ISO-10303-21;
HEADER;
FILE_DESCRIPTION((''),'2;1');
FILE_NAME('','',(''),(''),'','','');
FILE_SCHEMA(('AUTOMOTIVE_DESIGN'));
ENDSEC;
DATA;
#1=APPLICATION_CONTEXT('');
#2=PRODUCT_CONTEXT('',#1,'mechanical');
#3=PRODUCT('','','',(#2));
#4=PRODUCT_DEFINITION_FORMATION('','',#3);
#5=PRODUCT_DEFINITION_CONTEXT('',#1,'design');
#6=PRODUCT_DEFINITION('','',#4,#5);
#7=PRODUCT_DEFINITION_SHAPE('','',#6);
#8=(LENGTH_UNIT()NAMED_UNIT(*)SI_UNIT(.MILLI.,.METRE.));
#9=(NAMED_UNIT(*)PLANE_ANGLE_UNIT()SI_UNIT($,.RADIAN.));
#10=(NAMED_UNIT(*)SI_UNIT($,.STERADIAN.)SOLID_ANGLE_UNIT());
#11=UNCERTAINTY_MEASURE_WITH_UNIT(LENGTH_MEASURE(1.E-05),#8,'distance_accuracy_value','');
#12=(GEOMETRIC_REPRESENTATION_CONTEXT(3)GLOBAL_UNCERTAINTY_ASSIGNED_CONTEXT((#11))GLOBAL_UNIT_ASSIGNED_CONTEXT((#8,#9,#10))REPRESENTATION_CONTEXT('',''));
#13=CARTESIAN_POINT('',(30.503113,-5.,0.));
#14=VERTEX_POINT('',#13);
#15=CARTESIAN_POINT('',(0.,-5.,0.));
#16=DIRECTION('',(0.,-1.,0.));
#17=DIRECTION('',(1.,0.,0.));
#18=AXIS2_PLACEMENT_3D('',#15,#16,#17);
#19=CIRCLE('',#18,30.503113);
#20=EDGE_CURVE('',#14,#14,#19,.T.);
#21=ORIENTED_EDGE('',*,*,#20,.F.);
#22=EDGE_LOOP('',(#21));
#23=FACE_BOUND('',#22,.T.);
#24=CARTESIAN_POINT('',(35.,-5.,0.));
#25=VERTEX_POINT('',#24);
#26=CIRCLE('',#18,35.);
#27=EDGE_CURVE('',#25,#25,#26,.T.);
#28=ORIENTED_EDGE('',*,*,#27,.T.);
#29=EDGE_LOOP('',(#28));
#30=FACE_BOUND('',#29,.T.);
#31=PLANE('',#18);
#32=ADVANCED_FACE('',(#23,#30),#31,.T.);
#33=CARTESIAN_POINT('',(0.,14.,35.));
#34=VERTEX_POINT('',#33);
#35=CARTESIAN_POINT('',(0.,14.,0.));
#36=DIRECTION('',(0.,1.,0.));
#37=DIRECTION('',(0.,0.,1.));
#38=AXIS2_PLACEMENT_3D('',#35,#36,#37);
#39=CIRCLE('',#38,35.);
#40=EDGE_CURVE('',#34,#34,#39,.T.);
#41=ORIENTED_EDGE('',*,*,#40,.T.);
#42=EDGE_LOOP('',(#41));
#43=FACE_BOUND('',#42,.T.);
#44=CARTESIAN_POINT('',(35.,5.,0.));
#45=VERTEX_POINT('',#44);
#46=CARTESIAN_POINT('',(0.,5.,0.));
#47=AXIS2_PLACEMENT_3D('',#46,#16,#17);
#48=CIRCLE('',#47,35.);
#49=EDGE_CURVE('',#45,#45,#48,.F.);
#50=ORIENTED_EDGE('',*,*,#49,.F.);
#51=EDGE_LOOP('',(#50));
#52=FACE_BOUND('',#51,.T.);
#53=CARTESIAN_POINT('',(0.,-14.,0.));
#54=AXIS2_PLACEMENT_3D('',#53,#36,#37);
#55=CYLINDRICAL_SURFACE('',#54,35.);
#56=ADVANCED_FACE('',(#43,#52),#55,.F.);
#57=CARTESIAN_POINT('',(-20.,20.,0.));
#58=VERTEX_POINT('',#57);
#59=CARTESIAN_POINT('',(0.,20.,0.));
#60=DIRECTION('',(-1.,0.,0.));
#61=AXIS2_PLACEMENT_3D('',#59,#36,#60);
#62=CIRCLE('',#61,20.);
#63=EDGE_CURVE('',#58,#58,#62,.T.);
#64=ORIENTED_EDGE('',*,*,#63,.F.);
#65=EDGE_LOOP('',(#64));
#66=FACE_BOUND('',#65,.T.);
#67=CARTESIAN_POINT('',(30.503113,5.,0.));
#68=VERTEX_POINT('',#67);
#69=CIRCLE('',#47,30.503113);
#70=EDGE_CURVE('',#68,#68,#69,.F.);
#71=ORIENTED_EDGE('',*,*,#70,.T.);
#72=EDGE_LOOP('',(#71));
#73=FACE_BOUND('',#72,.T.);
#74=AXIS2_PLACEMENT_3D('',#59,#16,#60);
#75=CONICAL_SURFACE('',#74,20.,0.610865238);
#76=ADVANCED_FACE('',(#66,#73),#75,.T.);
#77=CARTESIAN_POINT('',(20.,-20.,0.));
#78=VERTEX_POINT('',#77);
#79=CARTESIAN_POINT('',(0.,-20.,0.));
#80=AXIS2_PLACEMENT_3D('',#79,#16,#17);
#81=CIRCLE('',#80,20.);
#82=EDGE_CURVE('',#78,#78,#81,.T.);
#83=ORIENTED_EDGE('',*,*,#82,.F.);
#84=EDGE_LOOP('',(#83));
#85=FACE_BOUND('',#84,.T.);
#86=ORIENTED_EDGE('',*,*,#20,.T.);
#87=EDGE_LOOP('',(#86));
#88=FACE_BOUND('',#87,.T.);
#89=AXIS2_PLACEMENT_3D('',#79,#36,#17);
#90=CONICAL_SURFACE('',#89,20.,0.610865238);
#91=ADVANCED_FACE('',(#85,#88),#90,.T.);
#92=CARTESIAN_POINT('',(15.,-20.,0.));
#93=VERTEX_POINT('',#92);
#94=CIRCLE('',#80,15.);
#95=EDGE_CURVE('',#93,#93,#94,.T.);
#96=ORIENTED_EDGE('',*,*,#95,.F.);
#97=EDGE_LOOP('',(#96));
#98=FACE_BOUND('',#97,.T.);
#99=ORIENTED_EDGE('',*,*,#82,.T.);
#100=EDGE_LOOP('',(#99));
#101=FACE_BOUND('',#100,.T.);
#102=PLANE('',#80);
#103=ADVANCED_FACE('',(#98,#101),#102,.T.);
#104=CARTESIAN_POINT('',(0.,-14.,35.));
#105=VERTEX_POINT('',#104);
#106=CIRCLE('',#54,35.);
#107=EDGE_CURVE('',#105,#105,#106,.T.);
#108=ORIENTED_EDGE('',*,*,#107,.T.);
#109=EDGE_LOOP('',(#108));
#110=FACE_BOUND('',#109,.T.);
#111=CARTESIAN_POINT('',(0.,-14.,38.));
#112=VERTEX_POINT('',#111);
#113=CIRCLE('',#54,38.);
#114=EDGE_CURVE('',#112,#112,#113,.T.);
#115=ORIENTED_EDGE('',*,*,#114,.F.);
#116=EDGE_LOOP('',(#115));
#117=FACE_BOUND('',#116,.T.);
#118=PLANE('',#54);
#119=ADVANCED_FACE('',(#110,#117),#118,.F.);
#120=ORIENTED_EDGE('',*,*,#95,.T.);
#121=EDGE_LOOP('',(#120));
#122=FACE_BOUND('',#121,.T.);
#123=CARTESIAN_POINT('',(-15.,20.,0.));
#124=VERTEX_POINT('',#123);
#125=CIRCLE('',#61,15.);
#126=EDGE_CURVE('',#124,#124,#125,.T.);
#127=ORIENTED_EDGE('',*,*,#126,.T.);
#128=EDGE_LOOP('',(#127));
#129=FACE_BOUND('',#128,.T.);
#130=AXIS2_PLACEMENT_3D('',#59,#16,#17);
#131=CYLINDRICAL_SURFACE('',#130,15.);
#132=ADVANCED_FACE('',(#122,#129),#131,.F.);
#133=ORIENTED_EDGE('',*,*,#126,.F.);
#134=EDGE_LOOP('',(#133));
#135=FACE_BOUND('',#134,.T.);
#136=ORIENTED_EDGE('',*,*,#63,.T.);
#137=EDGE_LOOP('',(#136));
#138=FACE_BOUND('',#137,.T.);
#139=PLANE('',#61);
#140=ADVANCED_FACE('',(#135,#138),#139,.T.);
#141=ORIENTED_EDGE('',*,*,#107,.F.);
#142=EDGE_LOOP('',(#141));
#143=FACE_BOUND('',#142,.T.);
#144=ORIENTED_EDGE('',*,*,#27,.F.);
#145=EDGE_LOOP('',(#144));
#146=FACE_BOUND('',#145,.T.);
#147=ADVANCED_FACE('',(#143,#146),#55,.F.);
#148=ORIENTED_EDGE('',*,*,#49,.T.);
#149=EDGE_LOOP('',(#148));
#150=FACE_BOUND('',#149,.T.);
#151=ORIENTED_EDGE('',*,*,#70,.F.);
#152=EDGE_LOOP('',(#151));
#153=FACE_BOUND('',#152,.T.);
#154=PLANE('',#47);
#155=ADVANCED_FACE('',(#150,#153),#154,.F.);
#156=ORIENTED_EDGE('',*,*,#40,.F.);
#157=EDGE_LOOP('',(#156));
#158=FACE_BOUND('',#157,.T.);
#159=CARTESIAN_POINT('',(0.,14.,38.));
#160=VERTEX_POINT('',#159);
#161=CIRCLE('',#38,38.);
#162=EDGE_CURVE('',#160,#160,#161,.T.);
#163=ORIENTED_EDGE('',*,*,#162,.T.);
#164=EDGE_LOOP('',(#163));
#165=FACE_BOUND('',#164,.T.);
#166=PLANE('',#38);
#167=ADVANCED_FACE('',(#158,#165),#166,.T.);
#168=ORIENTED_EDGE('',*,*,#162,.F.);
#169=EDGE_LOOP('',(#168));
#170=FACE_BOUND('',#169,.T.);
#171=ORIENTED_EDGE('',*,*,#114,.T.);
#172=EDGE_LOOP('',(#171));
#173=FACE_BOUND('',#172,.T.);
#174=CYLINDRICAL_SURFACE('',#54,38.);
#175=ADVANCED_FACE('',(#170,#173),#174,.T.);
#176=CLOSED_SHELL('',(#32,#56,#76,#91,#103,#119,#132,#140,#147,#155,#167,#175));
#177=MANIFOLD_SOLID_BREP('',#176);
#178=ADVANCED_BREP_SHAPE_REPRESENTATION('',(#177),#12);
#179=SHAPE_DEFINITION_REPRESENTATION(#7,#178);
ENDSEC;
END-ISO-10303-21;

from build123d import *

# Parameters (mm, degrees)
BOSS_EXTRUDE1_DEPTH      = 14
BOSS_EXTRUDE1_DEPTH_BACK = 14
SKETCH1_R                = 38
SKETCH1_R_2              = 35
BOSS_EXTRUDE2_DEPTH      = 5
BOSS_EXTRUDE2_DEPTH_BACK = 5
SKETCH2_R                = 35
SKETCH5_R                = 20
SKETCH5_R_2              = 15
BOSS_EXTRUDE3_DEPTH      = 15
BOSS_EXTRUDE4_START      = 15
SKETCH6_R                = 20
SKETCH6_R_2              = 15
BOSS_EXTRUDE4_DEPTH      = 15
DRAFT2_ANGLE             = 35
DRAFT3_ANGLE             = 35
SKETCH14_R               = 12
CUT_EXTRUDE3_DEPTH       = 15
SKETCH15_R               = 15
CUT_EXTRUDE4_DEPTH       = 33.5


with BuildPart() as part:
    # Sketch1 → Boss-Extrude1 (new, two sides: drawn at the far end of the back side and taken through both)
    with BuildSketch(Plane(origin=(0, 0, 0), x_dir=(1, 0, 0), z_dir=(0, 1, 0)).offset(-BOSS_EXTRUDE1_DEPTH_BACK)):
        Circle(SKETCH1_R)
        Circle(SKETCH1_R_2, mode=Mode.SUBTRACT)
    extrude(amount=BOSS_EXTRUDE1_DEPTH + BOSS_EXTRUDE1_DEPTH_BACK)

    # Sketch2 → Boss-Extrude2 (add, two sides: drawn at the far end of the back side and taken through both)
    with BuildSketch(Plane(origin=(0, 0, 0), x_dir=(-1, 0, 0), z_dir=(0, -1, 0)).offset(-BOSS_EXTRUDE2_DEPTH_BACK)):
        Circle(SKETCH2_R)
    extrude(amount=BOSS_EXTRUDE2_DEPTH + BOSS_EXTRUDE2_DEPTH_BACK)

    # Sketch5 → Boss-Extrude3 (add)
    with BuildSketch(Plane(origin=(0, 5, 0), x_dir=(1, 0, 0), z_dir=(0, 1, 0))):
        Circle(SKETCH5_R)
        Circle(SKETCH5_R_2, mode=Mode.SUBTRACT)
    extrude(amount=BOSS_EXTRUDE3_DEPTH)

    # Sketch6 → Boss-Extrude4 (add)
    with BuildSketch(Plane.XZ.offset(5).offset(BOSS_EXTRUDE4_START)):
        Circle(SKETCH6_R)
        Circle(SKETCH6_R_2, mode=Mode.SUBTRACT)
    extrude(amount=-BOSS_EXTRUDE4_DEPTH)

    # Draft2
    draft2_faces = [part.faces().sort_by_distance(p)[0] for p in [
        (-20, 12.5, 0),
    ]]
    draft(draft2_faces, Plane(origin=(0, 20, 0), x_dir=(1, 0, 0), z_dir=(0, 1, 0)), DRAFT2_ANGLE)

    # Draft3
    draft3_faces = [part.faces().sort_by_distance(p)[0] for p in [
        (-20, -12.5, 0),
    ]]
    draft(draft3_faces, Plane(origin=(0, -20, 0), x_dir=(-1, 0, 0), z_dir=(0, -1, 0)), DRAFT3_ANGLE)

    # Sketch14 → Cut-Extrude3 (cut)
    with BuildSketch(Plane.XZ.offset(5)):
        Circle(SKETCH14_R)
    extrude(amount=-CUT_EXTRUDE3_DEPTH, mode=Mode.SUBTRACT)

    # Sketch15 → Cut-Extrude4 (cut, symmetric)
    with BuildSketch(Plane(origin=(0, 5, 0), x_dir=(1, 0, 0), z_dir=(0, 1, 0))):
        Circle(SKETCH15_R)
    extrude(amount=CUT_EXTRUDE4_DEPTH, both=True, mode=Mode.SUBTRACT)


solid = part.part
